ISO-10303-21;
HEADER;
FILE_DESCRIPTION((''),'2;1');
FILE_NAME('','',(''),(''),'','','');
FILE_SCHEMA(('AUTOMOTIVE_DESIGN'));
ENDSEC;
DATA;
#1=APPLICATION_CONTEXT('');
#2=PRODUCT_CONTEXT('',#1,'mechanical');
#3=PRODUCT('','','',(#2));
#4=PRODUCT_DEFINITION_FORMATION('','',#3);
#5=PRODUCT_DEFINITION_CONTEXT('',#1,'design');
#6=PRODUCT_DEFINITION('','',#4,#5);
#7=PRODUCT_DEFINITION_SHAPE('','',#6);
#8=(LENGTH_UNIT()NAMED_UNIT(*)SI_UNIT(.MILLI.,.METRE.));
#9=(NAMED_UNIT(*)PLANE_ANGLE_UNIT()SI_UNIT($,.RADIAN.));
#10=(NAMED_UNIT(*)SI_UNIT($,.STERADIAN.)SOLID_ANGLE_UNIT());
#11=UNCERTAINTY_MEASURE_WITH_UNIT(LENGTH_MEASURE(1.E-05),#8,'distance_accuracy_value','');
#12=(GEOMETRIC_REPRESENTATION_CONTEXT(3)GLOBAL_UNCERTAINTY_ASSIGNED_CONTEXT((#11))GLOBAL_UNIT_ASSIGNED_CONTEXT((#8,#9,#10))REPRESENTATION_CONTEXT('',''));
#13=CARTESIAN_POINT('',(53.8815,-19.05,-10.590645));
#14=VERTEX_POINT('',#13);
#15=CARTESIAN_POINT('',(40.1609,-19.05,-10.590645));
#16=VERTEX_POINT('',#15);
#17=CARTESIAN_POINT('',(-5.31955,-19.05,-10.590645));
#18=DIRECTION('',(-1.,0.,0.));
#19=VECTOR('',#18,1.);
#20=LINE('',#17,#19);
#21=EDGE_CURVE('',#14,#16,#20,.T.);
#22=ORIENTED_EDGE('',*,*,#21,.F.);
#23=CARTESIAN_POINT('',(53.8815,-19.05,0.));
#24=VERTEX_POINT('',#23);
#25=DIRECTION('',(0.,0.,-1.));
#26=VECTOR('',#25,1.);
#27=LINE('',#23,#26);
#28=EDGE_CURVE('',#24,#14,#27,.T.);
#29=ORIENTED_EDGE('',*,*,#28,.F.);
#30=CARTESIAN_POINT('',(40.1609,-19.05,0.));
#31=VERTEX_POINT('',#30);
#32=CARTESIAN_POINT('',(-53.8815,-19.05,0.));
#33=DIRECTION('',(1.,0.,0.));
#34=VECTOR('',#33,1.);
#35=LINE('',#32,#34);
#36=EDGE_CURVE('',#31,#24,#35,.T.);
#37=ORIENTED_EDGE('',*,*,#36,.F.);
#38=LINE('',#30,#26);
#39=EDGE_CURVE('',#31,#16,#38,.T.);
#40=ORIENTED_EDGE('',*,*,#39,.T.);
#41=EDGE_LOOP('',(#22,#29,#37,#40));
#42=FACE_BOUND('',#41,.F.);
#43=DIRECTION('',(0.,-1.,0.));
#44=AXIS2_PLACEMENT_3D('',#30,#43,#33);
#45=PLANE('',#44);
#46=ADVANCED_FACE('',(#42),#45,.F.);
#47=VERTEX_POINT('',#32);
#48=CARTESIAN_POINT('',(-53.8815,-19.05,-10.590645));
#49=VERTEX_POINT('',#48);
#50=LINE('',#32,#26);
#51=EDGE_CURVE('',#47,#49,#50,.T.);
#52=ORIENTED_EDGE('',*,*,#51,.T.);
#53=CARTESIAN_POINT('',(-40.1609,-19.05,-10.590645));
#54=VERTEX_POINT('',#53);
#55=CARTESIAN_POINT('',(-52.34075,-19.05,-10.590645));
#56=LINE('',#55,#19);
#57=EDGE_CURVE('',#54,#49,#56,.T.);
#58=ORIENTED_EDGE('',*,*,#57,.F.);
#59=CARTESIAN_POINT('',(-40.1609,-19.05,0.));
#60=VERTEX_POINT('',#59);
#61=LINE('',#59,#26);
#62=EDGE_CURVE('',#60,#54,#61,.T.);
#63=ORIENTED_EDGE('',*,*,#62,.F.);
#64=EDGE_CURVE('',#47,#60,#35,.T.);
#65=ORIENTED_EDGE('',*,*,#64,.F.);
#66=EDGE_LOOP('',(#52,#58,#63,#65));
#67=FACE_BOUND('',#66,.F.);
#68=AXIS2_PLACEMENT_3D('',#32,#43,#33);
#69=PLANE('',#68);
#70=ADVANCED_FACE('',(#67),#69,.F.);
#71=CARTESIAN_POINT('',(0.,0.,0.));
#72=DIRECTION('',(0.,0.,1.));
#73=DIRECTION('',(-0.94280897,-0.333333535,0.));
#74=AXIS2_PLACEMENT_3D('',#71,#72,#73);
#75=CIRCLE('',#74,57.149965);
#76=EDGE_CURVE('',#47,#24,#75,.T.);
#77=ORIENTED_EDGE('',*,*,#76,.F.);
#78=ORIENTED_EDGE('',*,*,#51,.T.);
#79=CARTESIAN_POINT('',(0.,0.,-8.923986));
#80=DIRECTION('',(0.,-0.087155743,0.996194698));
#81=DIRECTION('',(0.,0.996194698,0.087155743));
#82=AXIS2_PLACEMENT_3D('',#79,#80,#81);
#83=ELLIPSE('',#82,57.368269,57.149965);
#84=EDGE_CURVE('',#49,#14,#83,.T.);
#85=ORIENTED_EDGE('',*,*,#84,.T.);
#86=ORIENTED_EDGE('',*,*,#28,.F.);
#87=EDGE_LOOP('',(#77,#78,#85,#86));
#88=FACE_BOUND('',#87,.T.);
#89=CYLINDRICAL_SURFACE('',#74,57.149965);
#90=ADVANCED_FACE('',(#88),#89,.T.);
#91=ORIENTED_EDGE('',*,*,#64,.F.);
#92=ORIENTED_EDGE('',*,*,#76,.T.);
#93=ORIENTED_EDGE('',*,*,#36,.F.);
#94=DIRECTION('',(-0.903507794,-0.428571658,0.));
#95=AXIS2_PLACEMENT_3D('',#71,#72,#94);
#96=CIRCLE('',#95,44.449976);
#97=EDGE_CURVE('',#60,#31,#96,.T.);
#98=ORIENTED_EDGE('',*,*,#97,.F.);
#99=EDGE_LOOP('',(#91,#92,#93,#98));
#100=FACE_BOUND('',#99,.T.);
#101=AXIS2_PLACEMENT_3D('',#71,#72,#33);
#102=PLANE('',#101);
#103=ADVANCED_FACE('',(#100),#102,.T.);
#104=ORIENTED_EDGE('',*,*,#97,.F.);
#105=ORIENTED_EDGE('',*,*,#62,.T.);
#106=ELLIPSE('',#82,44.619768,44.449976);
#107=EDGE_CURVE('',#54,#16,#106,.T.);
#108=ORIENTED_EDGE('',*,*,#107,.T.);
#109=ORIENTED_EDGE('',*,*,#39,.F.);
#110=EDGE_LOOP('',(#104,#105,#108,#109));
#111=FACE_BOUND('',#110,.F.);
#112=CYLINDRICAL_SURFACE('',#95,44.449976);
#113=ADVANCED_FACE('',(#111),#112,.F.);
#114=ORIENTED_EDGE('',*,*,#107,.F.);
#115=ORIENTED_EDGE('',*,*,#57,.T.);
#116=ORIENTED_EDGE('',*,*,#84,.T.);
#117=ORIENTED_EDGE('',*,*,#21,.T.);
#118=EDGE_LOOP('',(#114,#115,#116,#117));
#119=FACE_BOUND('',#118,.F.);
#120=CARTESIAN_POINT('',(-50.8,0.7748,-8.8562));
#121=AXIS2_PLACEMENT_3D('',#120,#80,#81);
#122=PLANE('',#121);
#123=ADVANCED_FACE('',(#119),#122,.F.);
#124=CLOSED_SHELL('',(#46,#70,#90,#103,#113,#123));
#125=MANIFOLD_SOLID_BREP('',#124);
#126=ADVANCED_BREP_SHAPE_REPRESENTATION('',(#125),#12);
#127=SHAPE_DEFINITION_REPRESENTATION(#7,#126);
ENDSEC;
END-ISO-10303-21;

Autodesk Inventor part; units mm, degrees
ref_plane "YZ Plane" through (0, 0, 0) normal (1, 0, 0) x (0, 1, 0)
ref_plane "XZ Plane" through (0, 0, 0) normal (0, 1, 0) x (-1, 0, 0)
sketch "Sketch1" plane through (0, 0, 0) normal (0, 0, 1) x (1, 0, 0)
  arc A0 (-53.8815, -19.05) -> (53.8815, -19.05) centre (0, 0) ccw
  arc A1 (-40.1609, -19.05) -> (40.1609, -19.05) centre (0, 0) ccw
  line L0 (-50.8, 0) -> (50.8, 0) construction
  line L1 (-53.8815, -19.05) -> (53.8815, -19.05)
  dimension "outerDiameter" = 114.3
  dimension "innerDiameter" = 88.9
  dimension "distanceBelowCenterLine" = 19.05
ref_plane "Work Plane3" through (-50.8, 0.7748, -8.8562) normal (0, -0.0872, 0.9962) x (1, 0, 0)
ref_plane "Work Plane2" through (-50.8, 0, 0) normal (0, -0.0872, 0.9962) x (1, 0, 0)
extrude "Extrusion1" add sketch "Sketch1" against normal up to surface contours L1 A1 A0 surface through (-50.8, 0.7748, -8.8562) normal (0, -0.0872, 0.9962)
properties part number "electricLightCover"
